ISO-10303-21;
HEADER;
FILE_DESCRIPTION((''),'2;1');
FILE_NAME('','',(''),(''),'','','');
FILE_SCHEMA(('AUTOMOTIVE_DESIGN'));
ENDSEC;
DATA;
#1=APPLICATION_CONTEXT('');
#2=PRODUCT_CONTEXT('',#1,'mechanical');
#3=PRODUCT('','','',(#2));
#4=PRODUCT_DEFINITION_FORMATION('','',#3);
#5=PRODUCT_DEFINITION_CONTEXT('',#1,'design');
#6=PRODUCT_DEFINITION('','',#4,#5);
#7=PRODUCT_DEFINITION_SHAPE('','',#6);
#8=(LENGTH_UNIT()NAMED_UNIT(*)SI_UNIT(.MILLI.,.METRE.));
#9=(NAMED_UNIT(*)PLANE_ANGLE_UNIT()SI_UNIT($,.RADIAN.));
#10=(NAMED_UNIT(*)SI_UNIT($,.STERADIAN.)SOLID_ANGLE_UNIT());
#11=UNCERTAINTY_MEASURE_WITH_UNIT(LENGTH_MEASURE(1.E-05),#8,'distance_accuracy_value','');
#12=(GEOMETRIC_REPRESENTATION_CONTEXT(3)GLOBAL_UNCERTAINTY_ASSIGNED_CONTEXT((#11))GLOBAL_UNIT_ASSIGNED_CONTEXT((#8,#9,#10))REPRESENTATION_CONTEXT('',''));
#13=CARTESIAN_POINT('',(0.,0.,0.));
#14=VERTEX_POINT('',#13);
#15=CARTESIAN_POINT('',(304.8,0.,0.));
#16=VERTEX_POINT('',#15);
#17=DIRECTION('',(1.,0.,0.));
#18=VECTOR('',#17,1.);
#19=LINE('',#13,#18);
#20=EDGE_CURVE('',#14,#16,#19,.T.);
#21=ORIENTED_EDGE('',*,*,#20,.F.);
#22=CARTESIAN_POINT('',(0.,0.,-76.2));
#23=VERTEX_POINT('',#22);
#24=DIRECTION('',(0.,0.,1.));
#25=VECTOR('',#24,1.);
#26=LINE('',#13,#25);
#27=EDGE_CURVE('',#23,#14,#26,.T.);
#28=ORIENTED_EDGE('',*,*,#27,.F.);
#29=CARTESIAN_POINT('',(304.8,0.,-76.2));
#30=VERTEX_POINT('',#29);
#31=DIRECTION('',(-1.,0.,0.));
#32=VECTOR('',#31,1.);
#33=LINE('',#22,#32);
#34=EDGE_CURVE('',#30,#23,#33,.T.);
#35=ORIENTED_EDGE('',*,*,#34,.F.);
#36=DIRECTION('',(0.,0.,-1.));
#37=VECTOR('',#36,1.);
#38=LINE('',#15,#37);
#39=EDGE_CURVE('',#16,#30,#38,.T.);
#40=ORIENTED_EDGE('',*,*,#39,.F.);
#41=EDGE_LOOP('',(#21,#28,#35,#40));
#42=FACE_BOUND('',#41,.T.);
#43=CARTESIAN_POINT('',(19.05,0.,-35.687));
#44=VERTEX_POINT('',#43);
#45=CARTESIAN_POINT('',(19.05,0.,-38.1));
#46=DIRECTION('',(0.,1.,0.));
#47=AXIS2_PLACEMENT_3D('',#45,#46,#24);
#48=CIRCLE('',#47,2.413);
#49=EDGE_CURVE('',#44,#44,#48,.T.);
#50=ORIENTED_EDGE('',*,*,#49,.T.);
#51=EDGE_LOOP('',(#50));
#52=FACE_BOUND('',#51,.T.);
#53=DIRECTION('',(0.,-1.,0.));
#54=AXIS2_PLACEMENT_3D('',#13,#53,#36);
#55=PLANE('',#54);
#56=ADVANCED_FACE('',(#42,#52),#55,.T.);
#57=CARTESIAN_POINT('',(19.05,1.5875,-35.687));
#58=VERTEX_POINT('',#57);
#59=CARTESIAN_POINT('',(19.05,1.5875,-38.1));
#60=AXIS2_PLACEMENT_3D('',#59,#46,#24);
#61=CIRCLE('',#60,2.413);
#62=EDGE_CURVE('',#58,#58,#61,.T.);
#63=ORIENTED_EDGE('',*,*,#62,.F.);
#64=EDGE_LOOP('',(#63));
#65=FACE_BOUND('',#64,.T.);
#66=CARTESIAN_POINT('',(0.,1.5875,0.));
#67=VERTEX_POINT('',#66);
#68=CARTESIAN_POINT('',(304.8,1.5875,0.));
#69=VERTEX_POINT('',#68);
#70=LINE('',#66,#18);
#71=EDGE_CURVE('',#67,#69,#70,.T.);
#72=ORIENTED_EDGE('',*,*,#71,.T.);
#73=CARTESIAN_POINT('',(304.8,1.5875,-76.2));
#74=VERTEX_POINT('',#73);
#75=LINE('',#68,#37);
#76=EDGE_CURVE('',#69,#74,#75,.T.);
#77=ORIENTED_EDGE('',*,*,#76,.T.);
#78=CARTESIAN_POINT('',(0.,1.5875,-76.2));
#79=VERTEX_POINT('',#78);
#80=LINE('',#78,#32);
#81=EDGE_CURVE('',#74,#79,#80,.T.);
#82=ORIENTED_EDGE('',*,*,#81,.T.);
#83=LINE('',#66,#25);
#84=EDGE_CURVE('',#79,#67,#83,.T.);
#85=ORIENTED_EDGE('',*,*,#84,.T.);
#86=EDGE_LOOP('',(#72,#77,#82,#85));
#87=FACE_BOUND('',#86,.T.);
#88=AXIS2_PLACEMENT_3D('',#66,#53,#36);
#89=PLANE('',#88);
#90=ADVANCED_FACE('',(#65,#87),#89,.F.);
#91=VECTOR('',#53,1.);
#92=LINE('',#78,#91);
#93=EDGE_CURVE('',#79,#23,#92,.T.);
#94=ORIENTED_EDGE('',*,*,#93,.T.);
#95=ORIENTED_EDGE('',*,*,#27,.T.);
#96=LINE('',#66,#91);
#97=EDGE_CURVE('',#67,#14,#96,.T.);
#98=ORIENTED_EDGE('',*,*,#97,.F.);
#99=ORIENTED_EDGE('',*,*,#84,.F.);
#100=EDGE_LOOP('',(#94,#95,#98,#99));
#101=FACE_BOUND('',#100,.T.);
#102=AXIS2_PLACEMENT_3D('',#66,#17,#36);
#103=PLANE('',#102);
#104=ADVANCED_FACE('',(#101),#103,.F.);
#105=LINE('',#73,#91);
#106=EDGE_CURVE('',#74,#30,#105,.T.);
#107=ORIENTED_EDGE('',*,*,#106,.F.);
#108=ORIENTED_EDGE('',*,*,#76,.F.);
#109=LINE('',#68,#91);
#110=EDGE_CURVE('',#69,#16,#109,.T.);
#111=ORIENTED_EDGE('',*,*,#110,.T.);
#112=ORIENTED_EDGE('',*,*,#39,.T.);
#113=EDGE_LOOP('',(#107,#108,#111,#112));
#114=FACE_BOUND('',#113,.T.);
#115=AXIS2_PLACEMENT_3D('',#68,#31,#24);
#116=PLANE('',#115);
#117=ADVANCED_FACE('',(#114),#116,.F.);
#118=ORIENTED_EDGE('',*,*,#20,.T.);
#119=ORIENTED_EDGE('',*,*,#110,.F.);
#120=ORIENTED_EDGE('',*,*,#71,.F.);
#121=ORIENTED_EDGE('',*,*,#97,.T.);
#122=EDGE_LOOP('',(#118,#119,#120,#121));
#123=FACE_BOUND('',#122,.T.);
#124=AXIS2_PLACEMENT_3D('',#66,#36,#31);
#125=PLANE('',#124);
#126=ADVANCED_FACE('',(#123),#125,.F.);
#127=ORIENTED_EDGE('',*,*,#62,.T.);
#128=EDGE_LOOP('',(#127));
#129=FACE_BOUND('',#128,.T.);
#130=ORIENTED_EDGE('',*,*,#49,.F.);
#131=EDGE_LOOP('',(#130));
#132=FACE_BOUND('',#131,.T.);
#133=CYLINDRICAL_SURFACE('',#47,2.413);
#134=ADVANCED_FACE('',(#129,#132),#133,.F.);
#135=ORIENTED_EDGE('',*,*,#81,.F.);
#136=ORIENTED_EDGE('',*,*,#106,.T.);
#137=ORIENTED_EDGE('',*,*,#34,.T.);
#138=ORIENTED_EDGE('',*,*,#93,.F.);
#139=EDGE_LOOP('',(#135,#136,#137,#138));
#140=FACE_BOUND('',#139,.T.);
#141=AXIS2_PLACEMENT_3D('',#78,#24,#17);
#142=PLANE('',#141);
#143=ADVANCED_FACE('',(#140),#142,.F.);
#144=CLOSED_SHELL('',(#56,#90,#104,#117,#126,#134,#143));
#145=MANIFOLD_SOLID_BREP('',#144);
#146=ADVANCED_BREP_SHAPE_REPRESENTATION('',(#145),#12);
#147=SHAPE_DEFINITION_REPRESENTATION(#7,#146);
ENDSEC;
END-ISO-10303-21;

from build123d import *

# Parameters (mm, degrees)
SKETCH1_W            = 304.8
SKETCH1_H            = 76.2
ELECTRODE_BASE_DEPTH = 1.5875
SKETCH2_R            = 2.413
CUT_EXTRUDE1_DEPTH   = 315.184659327


with BuildPart() as part:
    # Sketch1 → Electrode Base (new body)
    with BuildSketch(Plane(origin=(0, 0, 0), x_dir=(1, 0, 0), z_dir=(0, 1, 0))):
        with Locations((152.4, 38.1)):
            Rectangle(SKETCH1_W, SKETCH1_H)
    extrude(amount=ELECTRODE_BASE_DEPTH)

    # Sketch2 → Cut-Extrude1 (cut, through all)
    with BuildSketch(Plane(origin=(0, 1.5875, 0), x_dir=(1, 0, 0), z_dir=(0, 1, 0))):
        with Locations(Location((19.05, 38.1, 0), (0, 0, 270))):
            Circle(SKETCH2_R)
    extrude(amount=-CUT_EXTRUDE1_DEPTH, mode=Mode.SUBTRACT)


solid = part.part
